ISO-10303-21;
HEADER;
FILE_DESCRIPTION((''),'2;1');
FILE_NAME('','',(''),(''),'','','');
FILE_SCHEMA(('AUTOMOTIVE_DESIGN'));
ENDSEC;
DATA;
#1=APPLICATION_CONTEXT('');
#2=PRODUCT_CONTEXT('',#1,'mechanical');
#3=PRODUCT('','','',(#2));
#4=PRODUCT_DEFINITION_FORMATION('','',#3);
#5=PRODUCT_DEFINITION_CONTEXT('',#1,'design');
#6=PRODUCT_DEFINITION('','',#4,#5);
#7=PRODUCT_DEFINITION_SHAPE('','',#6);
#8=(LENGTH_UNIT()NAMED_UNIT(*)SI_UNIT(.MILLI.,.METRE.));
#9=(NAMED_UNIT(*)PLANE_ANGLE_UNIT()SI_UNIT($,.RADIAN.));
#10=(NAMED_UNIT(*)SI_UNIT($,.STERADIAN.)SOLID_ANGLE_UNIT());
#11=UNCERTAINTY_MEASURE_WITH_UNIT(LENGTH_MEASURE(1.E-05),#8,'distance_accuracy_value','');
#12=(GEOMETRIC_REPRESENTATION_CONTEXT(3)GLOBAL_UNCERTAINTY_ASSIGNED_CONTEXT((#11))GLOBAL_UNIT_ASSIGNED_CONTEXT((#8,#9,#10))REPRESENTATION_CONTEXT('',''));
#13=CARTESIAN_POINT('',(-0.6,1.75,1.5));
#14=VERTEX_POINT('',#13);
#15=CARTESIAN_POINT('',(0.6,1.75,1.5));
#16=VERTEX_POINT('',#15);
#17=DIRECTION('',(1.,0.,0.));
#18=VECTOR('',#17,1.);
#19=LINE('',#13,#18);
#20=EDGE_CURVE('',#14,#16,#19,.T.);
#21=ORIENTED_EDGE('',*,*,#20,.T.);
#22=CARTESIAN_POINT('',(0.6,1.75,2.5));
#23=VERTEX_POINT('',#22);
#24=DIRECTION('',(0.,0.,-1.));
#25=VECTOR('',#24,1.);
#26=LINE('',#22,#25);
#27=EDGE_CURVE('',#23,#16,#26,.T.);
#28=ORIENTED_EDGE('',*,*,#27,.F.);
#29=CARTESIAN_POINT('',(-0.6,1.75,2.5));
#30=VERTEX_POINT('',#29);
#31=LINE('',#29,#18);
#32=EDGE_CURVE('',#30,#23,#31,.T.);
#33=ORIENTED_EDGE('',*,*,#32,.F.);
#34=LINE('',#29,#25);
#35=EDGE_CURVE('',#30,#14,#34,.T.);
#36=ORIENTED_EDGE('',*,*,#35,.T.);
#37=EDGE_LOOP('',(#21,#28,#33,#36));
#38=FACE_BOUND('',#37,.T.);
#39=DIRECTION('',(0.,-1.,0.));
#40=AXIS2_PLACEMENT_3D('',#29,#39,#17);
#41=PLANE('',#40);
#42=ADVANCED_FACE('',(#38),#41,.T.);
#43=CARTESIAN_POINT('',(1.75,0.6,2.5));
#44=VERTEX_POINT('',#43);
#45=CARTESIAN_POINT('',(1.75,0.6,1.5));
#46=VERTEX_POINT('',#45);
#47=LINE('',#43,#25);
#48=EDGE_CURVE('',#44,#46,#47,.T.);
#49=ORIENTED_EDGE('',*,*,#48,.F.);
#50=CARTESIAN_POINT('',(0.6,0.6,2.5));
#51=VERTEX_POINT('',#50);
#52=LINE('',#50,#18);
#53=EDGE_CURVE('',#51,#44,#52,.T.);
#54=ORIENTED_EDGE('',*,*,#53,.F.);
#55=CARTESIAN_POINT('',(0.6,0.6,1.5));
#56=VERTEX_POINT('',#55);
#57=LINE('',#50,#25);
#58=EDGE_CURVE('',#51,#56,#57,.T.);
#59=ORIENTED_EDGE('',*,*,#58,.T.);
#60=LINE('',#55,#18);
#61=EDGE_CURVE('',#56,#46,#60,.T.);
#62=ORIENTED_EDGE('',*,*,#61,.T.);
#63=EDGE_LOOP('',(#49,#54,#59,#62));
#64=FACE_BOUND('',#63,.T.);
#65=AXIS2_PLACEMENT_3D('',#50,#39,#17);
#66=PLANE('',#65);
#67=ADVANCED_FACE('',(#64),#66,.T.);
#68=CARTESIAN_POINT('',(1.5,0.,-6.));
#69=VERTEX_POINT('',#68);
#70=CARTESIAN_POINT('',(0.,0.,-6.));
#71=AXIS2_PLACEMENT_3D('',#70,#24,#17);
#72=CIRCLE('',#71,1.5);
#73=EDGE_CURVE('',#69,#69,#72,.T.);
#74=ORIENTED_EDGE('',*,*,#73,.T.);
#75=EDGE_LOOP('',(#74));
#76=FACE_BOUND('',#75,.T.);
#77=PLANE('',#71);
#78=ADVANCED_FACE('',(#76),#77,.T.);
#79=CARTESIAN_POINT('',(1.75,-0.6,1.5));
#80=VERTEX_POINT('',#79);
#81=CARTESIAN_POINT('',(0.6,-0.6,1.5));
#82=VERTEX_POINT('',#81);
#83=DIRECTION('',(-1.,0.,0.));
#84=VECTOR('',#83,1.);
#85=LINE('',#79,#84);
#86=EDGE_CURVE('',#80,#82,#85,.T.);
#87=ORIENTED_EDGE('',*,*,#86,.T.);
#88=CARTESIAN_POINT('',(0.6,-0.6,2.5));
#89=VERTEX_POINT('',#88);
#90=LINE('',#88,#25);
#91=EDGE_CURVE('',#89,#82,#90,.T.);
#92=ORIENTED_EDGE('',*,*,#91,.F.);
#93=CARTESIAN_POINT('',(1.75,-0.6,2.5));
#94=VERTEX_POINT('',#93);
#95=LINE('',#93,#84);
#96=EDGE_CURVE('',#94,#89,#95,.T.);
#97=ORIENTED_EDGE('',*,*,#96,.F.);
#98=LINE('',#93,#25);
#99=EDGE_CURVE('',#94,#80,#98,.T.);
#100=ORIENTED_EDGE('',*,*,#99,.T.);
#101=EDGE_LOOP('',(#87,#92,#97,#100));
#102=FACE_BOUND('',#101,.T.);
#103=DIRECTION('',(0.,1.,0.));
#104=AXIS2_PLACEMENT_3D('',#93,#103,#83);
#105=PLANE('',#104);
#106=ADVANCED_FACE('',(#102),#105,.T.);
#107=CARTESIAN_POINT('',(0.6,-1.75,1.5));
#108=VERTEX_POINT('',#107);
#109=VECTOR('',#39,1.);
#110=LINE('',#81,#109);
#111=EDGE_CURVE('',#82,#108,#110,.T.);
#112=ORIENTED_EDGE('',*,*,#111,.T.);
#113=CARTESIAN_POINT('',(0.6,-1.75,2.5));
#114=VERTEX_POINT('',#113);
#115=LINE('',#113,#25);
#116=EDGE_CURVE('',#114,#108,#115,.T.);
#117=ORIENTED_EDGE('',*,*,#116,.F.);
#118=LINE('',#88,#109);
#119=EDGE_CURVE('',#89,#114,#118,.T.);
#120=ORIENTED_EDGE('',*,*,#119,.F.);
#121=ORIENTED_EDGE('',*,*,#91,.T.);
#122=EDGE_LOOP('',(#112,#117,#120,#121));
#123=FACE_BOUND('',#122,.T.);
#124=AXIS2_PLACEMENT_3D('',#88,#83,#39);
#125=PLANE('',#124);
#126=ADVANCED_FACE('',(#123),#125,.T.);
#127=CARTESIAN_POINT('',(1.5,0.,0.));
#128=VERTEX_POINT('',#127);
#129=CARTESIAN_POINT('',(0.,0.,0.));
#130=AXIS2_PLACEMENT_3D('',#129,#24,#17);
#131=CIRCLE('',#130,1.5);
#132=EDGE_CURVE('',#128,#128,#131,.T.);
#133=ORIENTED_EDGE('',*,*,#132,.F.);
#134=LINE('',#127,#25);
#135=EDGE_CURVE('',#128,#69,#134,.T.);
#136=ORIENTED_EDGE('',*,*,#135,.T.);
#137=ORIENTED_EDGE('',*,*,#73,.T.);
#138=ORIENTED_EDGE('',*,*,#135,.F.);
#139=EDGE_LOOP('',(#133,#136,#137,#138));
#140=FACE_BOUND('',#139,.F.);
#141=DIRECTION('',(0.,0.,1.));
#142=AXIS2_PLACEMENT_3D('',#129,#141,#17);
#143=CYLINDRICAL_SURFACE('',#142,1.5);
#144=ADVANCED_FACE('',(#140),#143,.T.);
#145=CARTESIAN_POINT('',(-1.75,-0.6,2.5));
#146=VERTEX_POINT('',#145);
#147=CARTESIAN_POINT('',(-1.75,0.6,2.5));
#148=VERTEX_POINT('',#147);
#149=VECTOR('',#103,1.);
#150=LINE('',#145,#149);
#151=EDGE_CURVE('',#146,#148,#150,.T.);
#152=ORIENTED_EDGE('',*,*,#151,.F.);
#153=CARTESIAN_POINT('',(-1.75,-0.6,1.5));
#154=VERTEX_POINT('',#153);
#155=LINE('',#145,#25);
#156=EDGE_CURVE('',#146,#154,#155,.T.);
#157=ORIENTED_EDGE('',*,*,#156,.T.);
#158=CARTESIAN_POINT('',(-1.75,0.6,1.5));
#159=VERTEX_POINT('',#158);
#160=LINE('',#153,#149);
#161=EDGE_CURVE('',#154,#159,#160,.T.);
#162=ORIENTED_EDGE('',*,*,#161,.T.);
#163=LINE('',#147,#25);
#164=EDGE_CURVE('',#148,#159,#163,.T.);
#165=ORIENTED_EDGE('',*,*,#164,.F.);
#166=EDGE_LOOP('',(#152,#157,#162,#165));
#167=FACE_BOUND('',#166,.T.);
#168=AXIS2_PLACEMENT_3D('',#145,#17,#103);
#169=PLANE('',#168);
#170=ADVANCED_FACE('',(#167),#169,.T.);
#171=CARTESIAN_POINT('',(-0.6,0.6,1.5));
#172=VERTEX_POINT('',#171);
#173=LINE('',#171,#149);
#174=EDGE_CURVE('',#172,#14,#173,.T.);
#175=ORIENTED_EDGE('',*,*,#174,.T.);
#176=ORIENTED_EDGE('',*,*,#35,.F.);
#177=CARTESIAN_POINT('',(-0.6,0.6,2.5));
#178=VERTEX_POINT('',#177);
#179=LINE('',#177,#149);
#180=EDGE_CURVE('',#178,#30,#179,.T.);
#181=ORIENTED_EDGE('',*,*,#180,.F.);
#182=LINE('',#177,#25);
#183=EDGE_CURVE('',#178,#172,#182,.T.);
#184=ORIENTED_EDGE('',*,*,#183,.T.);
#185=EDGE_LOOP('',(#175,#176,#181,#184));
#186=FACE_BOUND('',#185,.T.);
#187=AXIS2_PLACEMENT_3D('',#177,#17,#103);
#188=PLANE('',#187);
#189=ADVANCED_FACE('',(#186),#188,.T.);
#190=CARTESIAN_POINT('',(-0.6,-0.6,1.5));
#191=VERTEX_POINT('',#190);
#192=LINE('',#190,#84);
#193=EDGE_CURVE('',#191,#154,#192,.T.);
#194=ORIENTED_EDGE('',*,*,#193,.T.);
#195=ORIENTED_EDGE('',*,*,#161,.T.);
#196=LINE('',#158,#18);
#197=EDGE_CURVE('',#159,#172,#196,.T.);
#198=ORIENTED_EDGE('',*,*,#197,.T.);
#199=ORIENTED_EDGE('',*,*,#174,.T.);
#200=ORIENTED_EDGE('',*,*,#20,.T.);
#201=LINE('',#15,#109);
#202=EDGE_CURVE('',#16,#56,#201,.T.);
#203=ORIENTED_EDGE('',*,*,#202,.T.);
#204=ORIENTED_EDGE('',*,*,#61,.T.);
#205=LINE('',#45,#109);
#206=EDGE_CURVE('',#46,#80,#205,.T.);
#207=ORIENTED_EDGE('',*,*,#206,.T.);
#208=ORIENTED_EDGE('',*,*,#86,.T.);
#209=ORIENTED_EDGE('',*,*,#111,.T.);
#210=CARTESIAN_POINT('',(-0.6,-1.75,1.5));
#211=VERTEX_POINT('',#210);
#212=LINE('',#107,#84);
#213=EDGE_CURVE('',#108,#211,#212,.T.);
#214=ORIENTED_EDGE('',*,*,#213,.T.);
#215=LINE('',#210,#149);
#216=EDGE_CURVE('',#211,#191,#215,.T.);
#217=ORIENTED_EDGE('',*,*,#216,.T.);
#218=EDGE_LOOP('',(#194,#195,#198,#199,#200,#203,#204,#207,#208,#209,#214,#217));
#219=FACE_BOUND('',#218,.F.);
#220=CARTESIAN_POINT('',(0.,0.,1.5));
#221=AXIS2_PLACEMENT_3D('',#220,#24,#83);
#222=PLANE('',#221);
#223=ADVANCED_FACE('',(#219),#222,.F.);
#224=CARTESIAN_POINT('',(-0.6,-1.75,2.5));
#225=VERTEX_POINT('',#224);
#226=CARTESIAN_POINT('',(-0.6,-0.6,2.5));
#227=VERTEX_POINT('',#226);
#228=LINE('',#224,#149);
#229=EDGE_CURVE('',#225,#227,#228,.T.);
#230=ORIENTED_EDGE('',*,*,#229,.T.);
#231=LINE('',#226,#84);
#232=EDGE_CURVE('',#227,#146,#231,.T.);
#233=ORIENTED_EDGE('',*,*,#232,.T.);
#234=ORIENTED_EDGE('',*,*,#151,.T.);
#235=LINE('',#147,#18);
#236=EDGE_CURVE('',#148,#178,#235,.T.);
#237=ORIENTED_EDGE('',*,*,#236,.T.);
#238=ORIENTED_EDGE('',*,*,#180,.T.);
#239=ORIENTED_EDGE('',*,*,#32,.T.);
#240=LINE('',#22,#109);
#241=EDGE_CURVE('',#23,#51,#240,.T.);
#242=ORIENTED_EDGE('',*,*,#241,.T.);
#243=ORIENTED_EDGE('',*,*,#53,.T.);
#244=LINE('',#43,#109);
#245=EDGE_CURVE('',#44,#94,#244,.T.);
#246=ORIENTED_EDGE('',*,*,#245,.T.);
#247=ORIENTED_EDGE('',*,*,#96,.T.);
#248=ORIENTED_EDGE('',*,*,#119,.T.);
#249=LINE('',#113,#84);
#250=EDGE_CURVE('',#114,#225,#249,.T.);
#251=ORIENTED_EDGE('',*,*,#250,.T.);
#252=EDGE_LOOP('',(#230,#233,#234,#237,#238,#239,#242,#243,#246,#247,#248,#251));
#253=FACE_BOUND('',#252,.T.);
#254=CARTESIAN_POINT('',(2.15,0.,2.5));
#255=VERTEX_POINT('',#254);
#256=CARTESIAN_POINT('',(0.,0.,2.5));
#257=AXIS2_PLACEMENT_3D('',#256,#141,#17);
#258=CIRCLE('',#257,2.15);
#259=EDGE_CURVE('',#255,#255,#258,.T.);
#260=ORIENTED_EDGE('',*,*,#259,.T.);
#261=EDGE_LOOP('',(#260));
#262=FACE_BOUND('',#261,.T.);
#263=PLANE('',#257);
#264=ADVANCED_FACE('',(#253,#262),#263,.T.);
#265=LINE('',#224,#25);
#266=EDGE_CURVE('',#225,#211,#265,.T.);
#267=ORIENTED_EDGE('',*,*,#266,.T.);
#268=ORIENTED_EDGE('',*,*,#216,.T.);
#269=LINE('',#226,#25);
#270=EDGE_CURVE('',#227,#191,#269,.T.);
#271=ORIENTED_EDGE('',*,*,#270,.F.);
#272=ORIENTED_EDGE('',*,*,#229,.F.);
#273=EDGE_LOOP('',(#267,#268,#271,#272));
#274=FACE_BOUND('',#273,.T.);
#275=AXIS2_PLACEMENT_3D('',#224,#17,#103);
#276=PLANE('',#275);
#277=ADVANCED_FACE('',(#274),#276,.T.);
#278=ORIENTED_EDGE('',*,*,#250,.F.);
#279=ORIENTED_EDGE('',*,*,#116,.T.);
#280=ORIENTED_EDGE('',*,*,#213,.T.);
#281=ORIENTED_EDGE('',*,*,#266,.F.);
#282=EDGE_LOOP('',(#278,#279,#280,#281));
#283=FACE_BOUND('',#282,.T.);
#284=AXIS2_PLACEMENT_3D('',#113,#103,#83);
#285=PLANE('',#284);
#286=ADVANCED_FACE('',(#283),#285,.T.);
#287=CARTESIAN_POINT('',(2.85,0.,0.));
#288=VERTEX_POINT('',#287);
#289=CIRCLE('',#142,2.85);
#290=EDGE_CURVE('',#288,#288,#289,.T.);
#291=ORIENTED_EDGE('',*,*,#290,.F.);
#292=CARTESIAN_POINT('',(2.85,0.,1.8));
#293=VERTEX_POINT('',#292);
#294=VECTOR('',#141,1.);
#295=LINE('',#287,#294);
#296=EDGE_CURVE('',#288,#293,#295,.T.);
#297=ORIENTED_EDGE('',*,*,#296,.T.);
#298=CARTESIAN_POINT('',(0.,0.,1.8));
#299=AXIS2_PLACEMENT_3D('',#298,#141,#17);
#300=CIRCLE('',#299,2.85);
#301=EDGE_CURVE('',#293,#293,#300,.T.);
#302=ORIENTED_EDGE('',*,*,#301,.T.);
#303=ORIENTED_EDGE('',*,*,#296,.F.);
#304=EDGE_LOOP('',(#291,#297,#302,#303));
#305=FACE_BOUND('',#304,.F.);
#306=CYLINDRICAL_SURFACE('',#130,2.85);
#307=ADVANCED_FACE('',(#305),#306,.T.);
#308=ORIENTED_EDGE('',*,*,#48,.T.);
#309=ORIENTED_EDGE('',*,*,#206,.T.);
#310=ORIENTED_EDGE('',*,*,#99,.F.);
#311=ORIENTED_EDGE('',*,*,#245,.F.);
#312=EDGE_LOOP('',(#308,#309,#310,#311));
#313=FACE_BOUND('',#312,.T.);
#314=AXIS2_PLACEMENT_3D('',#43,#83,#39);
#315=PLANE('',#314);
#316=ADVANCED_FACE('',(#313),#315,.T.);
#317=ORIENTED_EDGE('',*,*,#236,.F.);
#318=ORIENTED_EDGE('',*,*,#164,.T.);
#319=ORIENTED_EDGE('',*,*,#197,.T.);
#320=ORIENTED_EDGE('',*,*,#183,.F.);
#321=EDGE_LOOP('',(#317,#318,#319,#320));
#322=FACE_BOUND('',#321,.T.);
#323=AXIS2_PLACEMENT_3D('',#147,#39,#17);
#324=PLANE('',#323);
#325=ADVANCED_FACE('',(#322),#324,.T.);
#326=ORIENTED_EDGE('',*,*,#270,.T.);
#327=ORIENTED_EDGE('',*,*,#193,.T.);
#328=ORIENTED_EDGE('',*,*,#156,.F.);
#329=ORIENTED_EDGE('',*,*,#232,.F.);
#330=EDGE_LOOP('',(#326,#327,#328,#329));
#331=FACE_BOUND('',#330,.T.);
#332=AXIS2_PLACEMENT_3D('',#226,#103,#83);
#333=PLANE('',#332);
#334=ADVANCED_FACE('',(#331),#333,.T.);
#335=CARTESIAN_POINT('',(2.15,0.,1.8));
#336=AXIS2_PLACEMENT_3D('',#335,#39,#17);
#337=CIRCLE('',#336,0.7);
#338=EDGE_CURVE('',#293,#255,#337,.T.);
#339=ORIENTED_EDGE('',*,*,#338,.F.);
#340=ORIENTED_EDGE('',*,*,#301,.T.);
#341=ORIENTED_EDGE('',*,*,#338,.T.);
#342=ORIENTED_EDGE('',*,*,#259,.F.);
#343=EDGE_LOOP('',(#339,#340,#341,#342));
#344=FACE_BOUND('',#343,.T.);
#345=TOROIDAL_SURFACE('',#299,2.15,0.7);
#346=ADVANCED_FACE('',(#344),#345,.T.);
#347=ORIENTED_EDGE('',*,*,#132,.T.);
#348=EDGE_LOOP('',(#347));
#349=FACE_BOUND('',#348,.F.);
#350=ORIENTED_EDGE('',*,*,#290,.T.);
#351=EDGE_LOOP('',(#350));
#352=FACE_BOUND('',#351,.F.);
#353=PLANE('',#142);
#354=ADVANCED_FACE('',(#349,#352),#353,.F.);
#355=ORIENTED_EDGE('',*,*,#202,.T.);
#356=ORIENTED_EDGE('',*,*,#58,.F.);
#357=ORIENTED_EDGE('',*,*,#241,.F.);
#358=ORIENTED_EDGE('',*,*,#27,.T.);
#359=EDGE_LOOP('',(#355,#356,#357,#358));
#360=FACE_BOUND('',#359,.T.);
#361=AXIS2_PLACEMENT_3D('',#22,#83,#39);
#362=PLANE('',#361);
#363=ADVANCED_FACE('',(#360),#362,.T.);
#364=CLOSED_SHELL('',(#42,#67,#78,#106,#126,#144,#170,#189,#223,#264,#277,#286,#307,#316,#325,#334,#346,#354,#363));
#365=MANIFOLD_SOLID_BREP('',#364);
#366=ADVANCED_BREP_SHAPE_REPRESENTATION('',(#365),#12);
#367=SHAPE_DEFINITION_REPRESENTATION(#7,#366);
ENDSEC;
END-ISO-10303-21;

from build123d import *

# Parameters (mm, degrees)
SKETCH_R     = 2.85
PAD_DEPTH    = 2.5
POCKET_DEPTH = 1
FILLET_R     = 0.7
SKETCH002_R  = 1.5
PAD001_DEPTH = 6


with BuildPart() as part:
    # Sketch → Pad (new body)
    with BuildSketch(Plane.XY):
        Circle(SKETCH_R)
    extrude(amount=PAD_DEPTH)

    # Sketch001 (on Face3 of Pad) → Pocket (cut)
    with BuildSketch(Plane.XY.offset(2.5)):
        Polygon((-0.6, 1.75), (0.6, 1.75), (0.6, 0.6), (1.75, 0.6), (1.75, -0.6), (0.6, -0.6), (0.6, -1.75), (-0.6, -1.75), (-0.6, -0.6), (-1.75, -0.6), (-1.75, 0.6), (-0.6, 0.6), align=None)
    extrude(amount=-POCKET_DEPTH, mode=Mode.SUBTRACT)

    # Fillet
    fillet_edges = [part.edges().sort_by_distance(p)[0] for p in [
        (-2.85, 0, 2.5),
    ]]
    fillet(fillet_edges, radius=FILLET_R)

    # Sketch002 (on Face3 of Fillet) → Pad001 (join)
    with BuildSketch(Plane(origin=(0, 0, 0), x_dir=(1, 0, 0), z_dir=(0, 0, -1))):
        Circle(SKETCH002_R)
    extrude(amount=PAD001_DEPTH)


solid = part.part
